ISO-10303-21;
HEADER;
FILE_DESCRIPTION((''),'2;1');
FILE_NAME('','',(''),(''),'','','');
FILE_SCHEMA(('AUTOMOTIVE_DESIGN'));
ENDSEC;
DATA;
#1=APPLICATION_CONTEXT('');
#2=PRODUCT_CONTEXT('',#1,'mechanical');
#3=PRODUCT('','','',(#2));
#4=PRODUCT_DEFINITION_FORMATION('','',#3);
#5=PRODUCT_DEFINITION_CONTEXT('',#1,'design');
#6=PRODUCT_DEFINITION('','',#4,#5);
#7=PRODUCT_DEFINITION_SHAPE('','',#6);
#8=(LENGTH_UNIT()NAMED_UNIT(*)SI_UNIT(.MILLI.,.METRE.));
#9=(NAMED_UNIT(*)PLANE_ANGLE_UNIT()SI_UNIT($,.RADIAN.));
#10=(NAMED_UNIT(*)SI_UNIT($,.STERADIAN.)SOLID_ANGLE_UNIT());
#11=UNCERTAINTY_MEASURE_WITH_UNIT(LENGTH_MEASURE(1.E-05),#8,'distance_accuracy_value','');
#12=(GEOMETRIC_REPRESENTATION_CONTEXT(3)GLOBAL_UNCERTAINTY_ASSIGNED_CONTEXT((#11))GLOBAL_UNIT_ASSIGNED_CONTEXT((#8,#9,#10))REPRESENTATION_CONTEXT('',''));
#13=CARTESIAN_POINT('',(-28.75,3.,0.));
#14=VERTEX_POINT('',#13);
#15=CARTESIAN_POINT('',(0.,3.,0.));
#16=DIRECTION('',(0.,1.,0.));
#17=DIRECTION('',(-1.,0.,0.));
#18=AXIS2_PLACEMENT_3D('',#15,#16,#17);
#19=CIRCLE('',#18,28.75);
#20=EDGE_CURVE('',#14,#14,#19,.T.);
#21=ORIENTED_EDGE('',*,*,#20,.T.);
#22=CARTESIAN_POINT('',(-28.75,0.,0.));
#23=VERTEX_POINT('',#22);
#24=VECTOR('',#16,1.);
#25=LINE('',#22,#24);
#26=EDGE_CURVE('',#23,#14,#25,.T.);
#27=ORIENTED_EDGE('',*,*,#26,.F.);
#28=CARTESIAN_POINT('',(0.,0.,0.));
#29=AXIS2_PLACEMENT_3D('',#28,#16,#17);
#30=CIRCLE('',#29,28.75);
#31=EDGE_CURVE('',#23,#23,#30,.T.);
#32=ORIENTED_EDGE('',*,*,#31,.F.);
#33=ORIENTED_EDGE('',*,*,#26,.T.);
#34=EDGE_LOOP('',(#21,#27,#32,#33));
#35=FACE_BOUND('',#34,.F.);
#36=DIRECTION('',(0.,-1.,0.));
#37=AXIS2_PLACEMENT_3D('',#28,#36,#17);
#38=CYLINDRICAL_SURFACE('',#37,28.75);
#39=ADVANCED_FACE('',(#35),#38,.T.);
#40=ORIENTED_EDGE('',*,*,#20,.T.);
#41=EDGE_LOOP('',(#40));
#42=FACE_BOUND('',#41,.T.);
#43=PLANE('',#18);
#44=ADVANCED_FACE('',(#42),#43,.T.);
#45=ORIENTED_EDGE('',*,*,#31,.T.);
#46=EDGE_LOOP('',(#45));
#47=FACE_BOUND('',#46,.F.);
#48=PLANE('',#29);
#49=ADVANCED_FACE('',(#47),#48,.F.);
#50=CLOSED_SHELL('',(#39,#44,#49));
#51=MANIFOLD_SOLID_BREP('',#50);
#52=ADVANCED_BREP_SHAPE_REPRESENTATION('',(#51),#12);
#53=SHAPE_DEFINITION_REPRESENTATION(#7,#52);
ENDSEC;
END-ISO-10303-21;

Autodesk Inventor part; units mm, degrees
ref_plane "YZ Plane" through (0, 0, 0) normal (1, 0, 0) x (0, 1, 0)
ref_plane "XZ Plane" through (0, 0, 0) normal (0, 1, 0) x (-1, 0, 0)
ref_plane "XY Plane" through (0, 0, 0) normal (0, 0, 1) x (1, 0, 0)
sketch "Sketch1" plane through (0, 0, 0) normal (0, 1, 0) x (-1, 0, 0)
  circle A0 centre (0, 0) radius 28.75
  dimension "d0" = 57.5
extrude "Extrusion1" add sketch "Sketch1" along normal blind 3
properties part number "snow_can_bottom"
